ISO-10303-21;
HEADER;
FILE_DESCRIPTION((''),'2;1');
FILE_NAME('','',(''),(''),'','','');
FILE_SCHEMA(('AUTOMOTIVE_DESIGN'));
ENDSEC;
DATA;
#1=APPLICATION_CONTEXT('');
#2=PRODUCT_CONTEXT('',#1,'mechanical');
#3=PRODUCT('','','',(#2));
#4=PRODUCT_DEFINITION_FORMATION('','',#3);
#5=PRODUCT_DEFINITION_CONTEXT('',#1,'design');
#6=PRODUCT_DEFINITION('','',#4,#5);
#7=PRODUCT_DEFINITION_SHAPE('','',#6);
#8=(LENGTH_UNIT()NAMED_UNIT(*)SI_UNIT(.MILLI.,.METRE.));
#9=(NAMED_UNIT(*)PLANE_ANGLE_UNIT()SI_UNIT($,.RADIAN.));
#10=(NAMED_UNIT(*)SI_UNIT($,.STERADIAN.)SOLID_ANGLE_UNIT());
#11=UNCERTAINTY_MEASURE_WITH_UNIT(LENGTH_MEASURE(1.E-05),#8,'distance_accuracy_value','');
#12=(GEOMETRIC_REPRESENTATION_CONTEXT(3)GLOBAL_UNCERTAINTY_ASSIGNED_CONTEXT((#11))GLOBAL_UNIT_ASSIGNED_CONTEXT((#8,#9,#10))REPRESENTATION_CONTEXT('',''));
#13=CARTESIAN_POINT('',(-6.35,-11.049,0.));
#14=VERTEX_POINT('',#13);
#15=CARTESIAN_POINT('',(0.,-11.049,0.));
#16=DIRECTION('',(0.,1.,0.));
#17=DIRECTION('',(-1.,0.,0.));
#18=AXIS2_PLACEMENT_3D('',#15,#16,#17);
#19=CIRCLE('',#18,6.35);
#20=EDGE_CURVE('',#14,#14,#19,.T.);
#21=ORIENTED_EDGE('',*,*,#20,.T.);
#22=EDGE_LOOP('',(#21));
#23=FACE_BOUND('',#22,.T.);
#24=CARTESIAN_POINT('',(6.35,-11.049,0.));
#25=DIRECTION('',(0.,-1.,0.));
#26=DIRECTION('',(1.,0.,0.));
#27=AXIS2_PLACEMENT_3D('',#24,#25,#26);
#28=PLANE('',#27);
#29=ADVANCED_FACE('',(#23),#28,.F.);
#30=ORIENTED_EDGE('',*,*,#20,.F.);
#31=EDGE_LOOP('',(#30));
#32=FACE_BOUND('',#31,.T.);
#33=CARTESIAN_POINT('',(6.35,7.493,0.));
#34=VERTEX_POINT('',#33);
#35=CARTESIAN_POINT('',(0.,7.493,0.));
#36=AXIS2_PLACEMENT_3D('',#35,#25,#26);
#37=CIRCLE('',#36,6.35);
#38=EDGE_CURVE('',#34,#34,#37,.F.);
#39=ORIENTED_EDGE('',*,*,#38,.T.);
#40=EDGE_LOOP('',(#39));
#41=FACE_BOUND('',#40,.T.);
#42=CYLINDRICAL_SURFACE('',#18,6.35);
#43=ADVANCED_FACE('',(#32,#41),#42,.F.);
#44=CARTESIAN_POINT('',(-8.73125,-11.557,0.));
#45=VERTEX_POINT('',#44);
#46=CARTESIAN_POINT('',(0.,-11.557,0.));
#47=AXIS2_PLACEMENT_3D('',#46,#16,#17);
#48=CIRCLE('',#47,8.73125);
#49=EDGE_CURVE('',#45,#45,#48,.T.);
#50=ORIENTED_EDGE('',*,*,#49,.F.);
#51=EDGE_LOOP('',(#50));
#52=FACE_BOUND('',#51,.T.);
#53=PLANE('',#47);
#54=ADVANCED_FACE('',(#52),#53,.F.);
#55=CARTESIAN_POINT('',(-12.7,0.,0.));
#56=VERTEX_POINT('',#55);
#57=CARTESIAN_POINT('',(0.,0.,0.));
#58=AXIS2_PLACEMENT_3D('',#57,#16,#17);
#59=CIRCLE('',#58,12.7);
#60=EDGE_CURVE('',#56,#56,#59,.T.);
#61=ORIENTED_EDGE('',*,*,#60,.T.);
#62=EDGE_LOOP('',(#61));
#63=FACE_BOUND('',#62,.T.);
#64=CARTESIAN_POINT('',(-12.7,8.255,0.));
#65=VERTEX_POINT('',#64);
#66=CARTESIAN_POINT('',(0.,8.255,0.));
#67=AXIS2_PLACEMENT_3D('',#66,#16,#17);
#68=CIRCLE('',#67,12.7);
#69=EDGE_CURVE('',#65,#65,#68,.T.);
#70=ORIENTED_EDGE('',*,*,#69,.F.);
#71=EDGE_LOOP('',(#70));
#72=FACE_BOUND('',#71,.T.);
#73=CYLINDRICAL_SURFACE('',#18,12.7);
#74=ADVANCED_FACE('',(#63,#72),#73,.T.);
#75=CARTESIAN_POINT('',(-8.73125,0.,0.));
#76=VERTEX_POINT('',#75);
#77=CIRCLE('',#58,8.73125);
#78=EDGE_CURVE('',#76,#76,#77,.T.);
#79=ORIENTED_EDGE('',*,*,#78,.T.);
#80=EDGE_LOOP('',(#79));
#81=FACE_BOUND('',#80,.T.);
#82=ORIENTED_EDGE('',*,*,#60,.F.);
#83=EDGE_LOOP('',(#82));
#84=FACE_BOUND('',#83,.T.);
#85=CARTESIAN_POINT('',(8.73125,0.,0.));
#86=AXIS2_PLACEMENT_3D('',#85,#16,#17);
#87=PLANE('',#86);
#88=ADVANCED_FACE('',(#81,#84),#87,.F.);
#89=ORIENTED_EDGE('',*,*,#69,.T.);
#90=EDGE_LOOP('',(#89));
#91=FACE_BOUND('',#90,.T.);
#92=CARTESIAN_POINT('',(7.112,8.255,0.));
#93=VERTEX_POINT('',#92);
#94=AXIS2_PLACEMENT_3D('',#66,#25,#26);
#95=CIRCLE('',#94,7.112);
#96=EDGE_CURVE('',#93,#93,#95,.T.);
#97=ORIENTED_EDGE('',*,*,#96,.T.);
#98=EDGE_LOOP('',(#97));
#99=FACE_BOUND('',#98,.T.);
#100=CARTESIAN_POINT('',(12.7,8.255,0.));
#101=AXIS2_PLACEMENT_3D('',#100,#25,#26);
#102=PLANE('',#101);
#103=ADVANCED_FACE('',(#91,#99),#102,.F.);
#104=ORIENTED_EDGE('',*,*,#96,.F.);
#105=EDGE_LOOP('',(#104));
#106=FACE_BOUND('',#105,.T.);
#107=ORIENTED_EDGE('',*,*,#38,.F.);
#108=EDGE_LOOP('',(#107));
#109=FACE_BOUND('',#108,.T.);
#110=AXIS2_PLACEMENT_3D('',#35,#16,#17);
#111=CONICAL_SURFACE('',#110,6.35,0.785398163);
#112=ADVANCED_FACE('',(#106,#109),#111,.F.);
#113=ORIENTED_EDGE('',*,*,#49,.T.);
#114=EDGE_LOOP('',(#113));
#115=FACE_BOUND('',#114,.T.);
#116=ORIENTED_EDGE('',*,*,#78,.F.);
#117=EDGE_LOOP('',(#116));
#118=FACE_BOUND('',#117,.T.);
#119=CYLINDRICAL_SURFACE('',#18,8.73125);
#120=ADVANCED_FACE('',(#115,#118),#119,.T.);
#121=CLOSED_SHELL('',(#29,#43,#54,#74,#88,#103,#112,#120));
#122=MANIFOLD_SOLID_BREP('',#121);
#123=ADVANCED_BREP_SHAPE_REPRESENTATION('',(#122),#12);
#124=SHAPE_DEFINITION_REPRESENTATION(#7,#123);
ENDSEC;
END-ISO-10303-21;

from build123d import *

# Parameters (mm, degrees)
CHAMFER1_SIZE = 0.762


with BuildPart() as part:
    # Sketch1 → Revolve1 (revolve)
    with BuildSketch(Plane.XY):
        Polygon((8.73125, 0), (12.7, 0), (12.7, 8.255), (6.35, 8.255), (6.35, -11.049), (0, -11.049), (0, -11.557), (8.73125, -11.557), align=None)
    revolve(axis=Axis((0, -11.049, 0), (0, -1, 0)))

    # Chamfer1
    chamfer1_edges = [part.edges().sort_by_distance(p)[0] for p in [
        (-6.35, 8.255, 0),
    ]]
    chamfer(chamfer1_edges, length=CHAMFER1_SIZE)


solid = part.part
